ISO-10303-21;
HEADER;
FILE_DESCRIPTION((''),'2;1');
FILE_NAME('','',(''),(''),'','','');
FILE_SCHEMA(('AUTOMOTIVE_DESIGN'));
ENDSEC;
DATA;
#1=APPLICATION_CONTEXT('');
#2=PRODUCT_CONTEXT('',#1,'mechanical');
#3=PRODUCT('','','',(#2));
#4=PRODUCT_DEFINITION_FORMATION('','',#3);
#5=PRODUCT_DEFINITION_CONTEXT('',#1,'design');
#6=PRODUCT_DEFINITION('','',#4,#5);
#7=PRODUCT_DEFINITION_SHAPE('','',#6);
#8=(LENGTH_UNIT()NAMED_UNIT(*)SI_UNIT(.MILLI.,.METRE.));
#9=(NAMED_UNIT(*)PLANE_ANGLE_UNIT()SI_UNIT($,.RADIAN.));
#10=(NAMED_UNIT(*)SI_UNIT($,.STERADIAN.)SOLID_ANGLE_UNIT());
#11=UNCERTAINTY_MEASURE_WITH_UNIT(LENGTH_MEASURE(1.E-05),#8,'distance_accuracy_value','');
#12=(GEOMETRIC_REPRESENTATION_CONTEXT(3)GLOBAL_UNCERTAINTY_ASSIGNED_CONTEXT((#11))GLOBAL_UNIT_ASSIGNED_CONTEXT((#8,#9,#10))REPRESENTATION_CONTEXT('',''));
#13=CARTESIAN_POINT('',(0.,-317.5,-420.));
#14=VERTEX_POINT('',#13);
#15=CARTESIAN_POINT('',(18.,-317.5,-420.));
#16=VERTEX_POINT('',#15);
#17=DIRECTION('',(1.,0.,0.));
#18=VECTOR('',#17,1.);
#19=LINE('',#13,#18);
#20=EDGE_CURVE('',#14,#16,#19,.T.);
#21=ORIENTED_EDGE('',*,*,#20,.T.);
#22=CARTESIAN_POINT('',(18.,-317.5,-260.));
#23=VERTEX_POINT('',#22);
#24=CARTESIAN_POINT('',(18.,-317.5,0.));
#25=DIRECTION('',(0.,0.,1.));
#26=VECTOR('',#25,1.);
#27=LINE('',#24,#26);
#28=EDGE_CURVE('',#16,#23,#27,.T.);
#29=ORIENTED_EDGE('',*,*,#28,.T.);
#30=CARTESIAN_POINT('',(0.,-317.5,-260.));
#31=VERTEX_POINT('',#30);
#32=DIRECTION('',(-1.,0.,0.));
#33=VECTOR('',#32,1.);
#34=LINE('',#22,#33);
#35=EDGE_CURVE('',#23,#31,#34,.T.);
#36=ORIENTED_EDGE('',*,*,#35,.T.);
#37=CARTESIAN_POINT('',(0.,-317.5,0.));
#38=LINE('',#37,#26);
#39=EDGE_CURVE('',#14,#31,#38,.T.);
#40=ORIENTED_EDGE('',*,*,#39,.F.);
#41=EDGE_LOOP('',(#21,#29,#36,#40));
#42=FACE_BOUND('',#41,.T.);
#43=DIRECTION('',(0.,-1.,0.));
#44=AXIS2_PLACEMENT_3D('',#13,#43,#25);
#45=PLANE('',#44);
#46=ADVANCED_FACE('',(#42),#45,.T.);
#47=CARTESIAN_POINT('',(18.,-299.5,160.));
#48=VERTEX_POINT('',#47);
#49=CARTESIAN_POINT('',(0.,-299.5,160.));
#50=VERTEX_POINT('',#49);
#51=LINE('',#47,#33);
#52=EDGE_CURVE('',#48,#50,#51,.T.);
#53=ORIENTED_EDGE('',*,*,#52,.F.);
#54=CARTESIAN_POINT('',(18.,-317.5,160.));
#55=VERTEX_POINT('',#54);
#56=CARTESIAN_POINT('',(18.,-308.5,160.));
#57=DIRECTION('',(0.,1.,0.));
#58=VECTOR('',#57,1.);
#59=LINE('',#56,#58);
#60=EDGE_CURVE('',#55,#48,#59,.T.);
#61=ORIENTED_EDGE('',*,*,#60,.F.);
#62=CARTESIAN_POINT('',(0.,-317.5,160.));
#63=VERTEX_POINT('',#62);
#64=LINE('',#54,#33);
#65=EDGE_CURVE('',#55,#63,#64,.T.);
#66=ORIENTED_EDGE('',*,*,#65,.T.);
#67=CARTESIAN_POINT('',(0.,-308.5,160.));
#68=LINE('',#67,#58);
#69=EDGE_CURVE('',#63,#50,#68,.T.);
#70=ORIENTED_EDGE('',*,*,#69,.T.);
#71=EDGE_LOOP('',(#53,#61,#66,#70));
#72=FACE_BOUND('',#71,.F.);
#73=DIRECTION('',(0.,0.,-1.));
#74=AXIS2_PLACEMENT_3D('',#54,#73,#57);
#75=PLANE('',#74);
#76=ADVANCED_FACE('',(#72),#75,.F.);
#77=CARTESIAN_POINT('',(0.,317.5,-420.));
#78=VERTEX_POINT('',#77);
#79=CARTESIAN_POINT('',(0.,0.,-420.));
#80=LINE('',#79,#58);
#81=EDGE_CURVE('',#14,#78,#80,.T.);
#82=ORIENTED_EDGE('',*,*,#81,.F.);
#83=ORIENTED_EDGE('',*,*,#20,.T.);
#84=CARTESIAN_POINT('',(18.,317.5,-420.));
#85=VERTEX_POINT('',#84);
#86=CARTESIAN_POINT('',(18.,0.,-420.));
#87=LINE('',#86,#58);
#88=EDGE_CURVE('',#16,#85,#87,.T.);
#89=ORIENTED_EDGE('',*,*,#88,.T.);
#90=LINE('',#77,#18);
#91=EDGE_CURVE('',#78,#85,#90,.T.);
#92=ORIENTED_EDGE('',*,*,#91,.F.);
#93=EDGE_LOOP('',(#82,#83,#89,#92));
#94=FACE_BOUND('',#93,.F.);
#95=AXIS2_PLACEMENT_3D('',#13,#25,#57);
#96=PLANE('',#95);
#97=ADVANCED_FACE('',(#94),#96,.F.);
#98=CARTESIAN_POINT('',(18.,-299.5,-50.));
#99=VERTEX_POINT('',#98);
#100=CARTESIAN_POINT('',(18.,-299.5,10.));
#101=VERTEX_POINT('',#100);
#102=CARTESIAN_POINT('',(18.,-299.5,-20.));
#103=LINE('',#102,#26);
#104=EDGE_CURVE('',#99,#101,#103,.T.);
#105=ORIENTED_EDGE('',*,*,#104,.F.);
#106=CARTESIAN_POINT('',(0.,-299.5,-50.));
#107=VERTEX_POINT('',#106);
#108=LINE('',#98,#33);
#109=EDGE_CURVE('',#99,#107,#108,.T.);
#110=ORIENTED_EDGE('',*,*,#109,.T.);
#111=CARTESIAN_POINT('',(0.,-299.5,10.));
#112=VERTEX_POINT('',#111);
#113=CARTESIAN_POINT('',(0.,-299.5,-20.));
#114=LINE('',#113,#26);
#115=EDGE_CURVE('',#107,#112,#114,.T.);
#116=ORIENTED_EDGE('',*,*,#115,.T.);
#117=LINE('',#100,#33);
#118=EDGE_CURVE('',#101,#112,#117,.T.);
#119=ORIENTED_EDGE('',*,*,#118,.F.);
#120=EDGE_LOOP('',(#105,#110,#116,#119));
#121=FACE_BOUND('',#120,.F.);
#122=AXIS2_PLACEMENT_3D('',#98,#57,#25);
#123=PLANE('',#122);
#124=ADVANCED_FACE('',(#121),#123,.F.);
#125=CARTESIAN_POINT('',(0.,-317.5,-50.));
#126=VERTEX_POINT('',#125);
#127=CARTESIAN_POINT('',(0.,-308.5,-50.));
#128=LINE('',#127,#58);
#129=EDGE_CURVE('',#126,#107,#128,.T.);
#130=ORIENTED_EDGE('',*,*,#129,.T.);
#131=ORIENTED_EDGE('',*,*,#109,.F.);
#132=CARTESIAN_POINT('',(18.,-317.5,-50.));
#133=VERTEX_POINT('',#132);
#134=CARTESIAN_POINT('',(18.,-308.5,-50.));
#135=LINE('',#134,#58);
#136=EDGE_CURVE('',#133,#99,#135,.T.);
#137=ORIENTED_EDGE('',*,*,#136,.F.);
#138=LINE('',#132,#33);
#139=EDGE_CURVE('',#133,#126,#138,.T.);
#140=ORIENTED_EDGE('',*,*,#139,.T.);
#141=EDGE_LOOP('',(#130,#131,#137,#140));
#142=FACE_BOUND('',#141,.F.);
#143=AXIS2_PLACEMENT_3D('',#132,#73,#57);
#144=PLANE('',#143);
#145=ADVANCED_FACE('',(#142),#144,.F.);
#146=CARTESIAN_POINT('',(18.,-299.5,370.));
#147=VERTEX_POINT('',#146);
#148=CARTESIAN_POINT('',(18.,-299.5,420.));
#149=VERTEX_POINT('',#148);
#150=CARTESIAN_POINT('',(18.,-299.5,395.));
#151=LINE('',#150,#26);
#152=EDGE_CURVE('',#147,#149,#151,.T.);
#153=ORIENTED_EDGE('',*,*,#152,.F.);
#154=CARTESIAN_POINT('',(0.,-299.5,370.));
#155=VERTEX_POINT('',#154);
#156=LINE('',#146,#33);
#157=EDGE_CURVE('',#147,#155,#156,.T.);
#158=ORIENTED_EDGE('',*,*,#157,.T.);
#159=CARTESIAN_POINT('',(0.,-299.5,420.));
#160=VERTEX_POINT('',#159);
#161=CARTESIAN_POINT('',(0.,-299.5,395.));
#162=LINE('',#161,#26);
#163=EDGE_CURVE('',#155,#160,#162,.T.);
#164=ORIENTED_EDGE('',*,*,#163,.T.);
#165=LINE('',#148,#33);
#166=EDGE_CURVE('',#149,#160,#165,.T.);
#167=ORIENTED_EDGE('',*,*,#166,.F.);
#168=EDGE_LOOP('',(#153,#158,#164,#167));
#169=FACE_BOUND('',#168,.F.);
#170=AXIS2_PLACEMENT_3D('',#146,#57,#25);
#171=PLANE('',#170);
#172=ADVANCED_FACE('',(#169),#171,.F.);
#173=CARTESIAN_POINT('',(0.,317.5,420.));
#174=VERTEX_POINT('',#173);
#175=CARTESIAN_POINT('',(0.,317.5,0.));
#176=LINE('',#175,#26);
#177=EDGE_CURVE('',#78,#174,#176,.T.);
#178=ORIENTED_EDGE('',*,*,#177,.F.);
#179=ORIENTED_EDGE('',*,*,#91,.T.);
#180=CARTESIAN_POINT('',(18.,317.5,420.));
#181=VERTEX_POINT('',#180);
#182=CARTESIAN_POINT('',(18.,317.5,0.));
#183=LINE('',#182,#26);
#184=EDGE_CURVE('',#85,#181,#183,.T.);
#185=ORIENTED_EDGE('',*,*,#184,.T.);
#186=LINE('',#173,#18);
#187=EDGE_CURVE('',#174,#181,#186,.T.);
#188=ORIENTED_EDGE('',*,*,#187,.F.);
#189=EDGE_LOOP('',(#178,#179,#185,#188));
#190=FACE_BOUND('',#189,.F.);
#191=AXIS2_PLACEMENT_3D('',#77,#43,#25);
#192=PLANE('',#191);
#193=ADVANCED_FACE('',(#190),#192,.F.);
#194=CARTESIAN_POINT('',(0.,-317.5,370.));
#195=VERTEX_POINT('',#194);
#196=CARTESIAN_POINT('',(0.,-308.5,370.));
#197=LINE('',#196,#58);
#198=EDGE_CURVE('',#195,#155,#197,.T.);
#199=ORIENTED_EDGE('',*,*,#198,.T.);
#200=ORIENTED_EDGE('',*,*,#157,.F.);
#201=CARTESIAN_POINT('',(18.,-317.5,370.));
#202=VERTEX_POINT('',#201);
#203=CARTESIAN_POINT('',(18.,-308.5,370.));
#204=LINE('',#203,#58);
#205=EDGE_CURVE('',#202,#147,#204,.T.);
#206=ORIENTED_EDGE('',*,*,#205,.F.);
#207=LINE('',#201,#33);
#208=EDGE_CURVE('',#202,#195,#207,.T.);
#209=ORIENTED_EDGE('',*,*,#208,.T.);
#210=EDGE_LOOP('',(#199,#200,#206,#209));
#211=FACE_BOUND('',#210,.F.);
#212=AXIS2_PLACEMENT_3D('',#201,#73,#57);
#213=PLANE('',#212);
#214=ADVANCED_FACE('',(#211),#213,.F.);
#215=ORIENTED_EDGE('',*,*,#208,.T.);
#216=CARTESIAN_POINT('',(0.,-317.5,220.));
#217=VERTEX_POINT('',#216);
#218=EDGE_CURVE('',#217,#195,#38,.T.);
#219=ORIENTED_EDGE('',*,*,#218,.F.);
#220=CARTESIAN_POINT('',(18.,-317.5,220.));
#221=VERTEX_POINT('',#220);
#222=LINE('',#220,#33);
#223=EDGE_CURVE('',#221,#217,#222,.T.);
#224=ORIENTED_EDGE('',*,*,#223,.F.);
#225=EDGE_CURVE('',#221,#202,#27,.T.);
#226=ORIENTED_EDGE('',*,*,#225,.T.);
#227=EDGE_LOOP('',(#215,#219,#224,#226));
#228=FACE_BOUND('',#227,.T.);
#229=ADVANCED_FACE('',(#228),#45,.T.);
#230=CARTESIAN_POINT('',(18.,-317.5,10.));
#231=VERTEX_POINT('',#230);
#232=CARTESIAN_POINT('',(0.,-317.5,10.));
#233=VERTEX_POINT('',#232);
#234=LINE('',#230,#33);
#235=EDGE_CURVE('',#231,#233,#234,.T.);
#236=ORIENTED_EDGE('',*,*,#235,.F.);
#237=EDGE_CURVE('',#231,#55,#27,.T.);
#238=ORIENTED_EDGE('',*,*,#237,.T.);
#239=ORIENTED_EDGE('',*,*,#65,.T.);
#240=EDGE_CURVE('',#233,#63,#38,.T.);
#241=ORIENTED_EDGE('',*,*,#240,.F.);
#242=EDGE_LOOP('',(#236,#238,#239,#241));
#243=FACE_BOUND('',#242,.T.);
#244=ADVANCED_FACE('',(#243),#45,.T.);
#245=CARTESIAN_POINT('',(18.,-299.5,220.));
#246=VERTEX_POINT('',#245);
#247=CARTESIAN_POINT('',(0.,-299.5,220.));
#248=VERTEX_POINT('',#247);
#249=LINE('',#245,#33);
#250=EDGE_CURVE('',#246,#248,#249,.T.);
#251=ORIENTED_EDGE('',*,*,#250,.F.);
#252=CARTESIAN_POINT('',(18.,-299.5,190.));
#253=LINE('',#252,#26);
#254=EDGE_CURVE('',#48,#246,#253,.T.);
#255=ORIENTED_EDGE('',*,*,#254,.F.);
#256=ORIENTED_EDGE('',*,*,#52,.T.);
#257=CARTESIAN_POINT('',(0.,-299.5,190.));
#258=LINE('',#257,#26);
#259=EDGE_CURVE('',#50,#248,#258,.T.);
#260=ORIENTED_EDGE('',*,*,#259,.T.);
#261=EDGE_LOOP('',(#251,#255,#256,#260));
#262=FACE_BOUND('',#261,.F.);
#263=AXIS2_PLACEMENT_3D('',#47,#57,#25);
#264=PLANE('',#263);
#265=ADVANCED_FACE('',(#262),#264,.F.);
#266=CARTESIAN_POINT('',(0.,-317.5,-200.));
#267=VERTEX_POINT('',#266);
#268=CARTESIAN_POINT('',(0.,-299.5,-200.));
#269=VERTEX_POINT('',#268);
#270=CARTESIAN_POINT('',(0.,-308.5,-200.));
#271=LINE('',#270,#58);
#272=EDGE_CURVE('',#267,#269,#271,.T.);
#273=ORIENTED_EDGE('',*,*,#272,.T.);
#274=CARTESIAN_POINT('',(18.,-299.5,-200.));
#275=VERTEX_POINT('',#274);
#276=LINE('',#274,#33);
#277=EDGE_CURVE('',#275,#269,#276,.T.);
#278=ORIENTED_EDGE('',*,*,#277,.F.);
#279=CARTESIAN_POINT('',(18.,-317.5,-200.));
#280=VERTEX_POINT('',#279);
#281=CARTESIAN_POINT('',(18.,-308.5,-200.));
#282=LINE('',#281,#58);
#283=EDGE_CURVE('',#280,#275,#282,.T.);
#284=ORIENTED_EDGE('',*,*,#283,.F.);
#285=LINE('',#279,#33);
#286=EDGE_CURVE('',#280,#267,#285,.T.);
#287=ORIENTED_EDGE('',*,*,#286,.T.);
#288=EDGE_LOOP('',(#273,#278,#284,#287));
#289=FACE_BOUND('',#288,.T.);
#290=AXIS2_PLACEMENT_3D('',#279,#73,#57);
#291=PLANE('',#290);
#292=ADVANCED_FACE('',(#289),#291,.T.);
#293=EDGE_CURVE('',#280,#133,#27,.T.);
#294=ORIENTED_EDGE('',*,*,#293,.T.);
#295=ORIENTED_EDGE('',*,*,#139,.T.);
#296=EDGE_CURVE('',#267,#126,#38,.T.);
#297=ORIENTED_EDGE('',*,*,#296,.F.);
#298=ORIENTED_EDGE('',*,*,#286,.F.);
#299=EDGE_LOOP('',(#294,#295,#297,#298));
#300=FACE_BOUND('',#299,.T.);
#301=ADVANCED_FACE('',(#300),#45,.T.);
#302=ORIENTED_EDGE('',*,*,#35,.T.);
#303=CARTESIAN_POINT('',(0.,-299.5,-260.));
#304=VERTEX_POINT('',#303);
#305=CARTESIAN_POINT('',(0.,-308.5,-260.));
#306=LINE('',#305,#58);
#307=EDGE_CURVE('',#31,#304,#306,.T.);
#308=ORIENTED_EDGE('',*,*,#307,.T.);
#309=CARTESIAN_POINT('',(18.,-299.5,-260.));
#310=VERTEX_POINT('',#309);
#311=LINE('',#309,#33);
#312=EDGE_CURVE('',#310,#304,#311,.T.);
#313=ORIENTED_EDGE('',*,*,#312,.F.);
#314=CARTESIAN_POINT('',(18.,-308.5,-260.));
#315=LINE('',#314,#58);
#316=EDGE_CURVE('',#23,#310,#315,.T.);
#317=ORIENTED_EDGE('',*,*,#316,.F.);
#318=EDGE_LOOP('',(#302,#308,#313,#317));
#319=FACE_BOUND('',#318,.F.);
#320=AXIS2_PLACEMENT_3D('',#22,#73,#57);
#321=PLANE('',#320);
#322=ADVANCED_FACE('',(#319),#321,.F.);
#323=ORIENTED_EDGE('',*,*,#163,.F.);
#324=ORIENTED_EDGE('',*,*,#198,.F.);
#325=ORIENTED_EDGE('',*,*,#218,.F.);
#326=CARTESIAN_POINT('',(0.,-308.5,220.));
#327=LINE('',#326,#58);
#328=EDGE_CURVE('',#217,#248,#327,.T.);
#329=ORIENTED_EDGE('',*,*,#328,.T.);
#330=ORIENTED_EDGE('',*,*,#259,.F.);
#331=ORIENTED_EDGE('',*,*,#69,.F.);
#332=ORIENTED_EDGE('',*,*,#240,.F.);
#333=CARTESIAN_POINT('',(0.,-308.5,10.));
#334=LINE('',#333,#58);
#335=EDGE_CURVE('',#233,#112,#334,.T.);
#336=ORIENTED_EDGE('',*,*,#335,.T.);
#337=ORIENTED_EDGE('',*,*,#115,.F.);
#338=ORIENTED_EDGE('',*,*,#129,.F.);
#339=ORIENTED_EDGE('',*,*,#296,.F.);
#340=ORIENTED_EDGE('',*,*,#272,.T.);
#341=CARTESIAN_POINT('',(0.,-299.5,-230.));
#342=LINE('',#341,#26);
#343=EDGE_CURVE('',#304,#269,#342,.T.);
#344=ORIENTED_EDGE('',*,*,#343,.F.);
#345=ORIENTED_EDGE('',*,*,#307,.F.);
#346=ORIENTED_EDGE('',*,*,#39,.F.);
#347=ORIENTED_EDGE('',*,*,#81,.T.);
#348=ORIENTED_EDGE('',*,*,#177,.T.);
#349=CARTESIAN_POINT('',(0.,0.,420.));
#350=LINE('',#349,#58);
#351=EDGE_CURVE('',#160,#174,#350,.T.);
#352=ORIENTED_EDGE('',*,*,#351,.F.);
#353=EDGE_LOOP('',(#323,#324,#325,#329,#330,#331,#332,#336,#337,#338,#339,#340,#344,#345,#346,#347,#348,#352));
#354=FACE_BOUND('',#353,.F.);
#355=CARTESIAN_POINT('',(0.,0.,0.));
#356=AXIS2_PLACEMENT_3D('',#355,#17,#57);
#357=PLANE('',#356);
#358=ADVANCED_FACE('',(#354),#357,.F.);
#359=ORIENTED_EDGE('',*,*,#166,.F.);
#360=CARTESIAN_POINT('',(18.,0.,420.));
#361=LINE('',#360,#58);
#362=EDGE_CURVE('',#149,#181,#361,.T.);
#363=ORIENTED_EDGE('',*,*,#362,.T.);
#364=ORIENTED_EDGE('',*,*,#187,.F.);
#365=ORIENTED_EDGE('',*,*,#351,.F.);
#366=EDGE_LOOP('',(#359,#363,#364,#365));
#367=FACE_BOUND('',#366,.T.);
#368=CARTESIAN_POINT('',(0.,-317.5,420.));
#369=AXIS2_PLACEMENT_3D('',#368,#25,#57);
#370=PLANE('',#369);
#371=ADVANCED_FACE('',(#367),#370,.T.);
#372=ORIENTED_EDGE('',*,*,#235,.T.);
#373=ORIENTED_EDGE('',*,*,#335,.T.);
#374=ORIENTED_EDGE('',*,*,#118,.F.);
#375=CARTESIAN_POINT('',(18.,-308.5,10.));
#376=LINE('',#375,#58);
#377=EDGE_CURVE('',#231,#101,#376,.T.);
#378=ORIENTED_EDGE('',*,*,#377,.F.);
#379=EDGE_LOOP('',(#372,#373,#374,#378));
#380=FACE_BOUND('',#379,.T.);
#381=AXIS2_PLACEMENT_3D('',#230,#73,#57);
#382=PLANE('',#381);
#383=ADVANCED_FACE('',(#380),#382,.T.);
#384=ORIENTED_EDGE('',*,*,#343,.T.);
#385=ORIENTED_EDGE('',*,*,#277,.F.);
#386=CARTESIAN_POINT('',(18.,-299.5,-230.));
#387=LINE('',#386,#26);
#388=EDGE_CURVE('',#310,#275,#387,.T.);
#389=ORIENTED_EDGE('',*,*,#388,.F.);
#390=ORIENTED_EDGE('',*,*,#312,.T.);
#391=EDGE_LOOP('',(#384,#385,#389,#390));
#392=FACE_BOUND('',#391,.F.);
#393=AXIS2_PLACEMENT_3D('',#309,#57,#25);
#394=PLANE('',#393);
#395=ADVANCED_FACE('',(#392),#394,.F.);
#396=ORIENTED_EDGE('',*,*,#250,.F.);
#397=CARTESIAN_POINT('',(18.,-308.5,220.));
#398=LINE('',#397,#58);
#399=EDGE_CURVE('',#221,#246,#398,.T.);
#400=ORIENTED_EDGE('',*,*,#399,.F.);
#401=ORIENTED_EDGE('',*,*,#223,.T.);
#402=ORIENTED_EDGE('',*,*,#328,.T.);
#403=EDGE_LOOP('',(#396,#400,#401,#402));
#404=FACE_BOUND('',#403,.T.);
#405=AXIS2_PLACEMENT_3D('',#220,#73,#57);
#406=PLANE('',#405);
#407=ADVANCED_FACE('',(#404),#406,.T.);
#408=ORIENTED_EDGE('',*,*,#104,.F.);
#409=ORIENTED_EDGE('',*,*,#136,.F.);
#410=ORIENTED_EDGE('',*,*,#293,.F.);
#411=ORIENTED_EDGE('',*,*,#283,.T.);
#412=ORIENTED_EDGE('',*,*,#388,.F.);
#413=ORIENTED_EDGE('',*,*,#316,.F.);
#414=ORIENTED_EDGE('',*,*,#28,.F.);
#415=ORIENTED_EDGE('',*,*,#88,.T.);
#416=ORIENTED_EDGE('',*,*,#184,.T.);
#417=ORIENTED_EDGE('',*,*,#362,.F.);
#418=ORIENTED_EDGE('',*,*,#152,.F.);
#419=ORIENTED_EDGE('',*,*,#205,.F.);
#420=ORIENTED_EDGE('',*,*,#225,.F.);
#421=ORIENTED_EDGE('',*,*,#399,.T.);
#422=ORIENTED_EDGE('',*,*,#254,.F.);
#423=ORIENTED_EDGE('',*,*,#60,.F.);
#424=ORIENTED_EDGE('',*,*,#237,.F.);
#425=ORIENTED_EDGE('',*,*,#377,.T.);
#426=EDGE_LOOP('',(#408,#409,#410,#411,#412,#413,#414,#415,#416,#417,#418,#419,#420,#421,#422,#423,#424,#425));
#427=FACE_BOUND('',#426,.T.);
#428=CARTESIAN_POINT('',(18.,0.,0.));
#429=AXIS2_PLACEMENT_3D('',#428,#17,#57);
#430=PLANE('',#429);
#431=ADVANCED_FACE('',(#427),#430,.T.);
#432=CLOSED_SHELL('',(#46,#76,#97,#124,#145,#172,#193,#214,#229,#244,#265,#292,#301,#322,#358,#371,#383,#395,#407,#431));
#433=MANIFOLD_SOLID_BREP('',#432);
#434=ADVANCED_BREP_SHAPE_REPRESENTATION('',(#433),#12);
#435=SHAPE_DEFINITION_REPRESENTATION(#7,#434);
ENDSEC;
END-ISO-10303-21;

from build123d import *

# Parameters (mm, degrees)
F0_W     = 635
F0_H     = 840
F1_DEPTH = 18
F2_W     = 18
F2_H     = 50
F2_H_2   = 60
F3_DEPTH = 18


with BuildPart() as f1:
    # F0 (on Right) → F1 (new body)
    with BuildSketch(Plane.YZ):
        Rectangle(F0_W, F0_H)
    extrude(amount=F1_DEPTH)

    # F2 (on face) → F3 (cut)
    with BuildSketch(Plane.YZ.offset(18)):
        with Locations((-308.5, 395)):
            Rectangle(F2_W, F2_H)
        with Locations((-308.5, -20)):
            Rectangle(F2_W, F2_H_2)
        with Locations((-308.5, 190)):
            Rectangle(F2_W, F2_H_2)
        with Locations((-308.5, -230)):
            Rectangle(F2_W, F2_H_2)
    extrude(amount=-F3_DEPTH, mode=Mode.SUBTRACT)


solid = f1.part
